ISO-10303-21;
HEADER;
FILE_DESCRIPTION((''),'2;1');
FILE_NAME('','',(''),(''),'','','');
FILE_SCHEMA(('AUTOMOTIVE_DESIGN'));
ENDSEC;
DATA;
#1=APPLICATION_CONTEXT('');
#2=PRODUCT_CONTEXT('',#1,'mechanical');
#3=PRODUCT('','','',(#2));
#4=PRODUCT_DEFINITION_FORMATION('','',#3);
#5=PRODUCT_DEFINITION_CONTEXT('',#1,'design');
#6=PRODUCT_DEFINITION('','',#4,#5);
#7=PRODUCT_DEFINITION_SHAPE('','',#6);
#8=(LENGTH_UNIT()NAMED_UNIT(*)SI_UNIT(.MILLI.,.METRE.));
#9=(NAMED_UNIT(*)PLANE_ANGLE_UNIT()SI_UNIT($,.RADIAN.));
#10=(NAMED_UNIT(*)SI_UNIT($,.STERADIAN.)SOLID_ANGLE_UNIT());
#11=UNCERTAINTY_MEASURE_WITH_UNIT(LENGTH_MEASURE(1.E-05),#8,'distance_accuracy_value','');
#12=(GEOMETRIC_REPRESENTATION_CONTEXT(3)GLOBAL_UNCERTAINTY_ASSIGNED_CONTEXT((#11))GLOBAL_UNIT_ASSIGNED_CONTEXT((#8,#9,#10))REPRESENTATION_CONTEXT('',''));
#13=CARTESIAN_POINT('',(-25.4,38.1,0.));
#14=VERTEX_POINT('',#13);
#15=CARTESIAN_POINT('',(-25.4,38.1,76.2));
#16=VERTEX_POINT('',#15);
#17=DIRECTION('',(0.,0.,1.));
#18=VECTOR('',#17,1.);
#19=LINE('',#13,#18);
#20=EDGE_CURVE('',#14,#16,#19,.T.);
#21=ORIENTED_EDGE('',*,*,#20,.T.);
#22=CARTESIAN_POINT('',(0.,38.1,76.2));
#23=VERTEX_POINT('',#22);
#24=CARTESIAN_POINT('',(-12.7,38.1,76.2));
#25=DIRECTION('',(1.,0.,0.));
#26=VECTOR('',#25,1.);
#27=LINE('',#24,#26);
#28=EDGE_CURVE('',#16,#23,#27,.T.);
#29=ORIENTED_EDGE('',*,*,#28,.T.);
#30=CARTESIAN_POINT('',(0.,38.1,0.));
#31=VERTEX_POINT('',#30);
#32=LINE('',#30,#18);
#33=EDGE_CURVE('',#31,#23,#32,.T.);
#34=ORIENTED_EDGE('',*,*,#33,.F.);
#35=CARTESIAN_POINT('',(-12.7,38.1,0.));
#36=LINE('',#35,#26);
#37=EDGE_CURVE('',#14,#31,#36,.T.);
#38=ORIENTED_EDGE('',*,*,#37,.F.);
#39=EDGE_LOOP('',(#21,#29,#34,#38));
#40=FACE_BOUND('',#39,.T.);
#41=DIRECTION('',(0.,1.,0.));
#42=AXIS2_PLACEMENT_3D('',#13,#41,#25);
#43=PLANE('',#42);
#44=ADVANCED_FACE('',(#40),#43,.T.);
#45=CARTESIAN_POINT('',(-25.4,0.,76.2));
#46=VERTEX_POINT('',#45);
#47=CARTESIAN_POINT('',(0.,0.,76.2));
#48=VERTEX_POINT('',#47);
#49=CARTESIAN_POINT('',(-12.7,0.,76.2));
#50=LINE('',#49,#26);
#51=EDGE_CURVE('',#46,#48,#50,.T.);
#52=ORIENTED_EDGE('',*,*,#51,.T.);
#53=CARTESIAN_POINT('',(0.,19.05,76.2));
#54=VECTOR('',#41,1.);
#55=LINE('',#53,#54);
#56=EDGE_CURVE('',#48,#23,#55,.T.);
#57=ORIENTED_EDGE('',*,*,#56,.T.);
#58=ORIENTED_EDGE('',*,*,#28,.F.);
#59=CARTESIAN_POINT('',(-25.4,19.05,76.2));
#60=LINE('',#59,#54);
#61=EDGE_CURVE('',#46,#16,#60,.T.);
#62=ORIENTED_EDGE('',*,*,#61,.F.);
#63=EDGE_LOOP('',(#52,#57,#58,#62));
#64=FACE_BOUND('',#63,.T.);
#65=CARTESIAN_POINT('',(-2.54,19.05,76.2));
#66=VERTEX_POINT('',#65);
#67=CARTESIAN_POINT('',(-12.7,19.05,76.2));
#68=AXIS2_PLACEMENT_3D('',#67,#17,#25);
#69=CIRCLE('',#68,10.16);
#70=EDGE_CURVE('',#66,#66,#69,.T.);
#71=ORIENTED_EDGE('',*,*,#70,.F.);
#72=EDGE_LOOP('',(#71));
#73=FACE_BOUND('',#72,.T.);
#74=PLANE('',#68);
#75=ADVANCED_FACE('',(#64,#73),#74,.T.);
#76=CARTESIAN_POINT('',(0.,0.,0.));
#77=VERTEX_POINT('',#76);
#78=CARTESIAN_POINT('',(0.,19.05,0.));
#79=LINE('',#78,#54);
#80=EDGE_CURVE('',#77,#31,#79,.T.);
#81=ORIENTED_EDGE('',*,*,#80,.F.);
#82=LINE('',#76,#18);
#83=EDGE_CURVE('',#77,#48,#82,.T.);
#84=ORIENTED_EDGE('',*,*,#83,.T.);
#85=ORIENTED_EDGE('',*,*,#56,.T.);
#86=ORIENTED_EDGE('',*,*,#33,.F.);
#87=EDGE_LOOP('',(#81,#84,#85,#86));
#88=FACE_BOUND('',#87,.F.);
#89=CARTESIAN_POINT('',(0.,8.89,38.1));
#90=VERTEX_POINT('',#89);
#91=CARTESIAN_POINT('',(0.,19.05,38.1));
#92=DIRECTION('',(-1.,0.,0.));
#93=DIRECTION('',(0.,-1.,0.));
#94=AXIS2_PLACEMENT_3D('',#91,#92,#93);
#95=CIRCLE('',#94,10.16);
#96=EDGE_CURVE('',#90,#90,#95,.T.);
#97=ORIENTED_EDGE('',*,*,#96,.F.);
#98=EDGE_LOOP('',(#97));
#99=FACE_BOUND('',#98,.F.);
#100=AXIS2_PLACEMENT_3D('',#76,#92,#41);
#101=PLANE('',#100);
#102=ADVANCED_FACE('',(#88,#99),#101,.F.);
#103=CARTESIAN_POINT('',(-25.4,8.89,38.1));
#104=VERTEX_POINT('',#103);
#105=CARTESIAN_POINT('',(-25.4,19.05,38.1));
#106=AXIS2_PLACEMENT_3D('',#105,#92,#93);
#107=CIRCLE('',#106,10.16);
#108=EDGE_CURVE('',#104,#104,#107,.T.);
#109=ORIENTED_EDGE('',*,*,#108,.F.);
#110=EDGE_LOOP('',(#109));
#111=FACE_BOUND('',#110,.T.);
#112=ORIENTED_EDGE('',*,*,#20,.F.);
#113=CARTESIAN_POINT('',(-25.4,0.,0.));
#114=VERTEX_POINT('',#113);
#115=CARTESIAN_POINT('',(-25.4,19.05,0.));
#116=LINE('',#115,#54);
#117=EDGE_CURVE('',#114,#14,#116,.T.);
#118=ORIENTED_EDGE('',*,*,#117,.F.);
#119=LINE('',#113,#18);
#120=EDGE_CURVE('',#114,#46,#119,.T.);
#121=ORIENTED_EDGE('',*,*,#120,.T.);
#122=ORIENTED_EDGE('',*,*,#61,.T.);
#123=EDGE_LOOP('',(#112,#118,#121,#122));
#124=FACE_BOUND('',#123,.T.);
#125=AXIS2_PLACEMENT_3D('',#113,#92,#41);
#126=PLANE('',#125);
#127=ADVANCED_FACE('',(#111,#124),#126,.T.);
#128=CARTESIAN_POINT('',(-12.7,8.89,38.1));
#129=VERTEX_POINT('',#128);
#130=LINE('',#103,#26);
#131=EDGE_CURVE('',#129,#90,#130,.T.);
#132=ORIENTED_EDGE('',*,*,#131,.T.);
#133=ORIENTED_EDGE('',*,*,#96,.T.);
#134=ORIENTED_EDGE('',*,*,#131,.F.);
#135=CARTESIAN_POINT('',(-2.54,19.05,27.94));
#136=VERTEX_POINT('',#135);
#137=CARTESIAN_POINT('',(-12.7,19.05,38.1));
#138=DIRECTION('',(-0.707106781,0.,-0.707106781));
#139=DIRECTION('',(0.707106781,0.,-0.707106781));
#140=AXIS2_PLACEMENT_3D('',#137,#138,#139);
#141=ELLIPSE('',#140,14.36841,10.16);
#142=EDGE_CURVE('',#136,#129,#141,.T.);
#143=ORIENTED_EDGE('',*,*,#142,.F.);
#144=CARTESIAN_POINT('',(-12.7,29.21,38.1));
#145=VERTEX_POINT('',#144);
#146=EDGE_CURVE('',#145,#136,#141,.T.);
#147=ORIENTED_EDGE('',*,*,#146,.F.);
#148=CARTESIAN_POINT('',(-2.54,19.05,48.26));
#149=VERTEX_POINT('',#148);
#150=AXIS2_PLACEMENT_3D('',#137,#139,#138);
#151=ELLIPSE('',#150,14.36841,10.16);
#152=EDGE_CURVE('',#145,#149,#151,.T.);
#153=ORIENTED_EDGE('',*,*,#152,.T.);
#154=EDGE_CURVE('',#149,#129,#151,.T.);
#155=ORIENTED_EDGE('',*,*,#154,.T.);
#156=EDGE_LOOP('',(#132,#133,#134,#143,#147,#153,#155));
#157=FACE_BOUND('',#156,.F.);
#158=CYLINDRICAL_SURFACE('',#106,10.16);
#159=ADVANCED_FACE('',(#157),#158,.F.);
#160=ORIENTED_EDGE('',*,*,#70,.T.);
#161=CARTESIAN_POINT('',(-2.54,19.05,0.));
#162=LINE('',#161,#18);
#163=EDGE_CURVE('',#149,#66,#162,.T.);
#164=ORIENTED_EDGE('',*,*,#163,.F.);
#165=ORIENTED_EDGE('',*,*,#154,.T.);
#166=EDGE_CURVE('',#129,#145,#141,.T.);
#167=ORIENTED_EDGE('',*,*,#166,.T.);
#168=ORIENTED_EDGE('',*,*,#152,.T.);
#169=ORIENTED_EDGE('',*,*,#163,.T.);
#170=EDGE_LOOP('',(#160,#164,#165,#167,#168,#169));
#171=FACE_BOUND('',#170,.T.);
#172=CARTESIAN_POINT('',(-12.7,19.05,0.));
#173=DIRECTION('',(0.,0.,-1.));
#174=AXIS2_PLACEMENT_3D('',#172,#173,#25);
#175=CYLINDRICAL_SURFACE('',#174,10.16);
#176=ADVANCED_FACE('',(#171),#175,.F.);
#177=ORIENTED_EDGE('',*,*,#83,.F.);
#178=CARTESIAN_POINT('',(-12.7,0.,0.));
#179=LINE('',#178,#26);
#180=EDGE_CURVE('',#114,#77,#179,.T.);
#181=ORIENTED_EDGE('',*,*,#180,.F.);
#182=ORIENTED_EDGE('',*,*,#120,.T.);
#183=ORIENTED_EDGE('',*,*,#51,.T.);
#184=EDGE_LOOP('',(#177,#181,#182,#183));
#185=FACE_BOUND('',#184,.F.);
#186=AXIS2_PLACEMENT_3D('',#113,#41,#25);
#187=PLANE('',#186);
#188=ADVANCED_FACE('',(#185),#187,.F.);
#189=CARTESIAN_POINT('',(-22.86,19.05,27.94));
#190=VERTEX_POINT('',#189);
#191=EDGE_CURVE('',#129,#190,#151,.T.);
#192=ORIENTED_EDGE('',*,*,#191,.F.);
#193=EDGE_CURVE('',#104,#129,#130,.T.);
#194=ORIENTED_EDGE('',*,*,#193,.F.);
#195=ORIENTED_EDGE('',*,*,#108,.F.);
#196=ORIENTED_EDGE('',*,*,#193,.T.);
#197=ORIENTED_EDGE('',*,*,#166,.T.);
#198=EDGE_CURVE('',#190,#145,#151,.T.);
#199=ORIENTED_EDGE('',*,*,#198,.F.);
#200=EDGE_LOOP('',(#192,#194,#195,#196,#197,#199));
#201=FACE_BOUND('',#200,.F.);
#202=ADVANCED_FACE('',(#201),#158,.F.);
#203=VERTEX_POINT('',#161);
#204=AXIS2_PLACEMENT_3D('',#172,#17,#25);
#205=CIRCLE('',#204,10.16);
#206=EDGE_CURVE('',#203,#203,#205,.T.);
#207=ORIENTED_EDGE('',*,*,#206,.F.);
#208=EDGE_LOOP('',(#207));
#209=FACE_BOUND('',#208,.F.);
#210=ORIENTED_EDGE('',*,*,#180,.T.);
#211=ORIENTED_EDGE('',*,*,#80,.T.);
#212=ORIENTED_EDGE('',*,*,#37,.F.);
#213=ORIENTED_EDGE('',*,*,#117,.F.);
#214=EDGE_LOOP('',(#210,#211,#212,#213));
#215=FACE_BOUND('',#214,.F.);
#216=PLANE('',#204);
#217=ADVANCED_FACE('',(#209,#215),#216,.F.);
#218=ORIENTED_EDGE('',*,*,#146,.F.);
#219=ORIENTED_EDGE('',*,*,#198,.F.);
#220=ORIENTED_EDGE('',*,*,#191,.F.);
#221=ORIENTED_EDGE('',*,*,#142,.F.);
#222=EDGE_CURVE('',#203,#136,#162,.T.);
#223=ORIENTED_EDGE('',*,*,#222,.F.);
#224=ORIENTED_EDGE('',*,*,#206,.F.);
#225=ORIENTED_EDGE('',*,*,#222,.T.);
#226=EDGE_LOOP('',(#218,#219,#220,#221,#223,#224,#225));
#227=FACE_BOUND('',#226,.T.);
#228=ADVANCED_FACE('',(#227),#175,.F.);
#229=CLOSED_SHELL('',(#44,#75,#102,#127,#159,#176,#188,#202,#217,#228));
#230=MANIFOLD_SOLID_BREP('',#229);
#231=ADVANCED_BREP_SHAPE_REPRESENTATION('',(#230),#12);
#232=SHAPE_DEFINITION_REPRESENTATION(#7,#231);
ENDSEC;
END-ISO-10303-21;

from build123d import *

# Parameters (mm, degrees)
F0_W     = 25.4
F0_H     = 38.1
F0_R     = 10.16
F1_DEPTH = 76.2
F2_R     = 10.16
F3_DEPTH = 25.401


with BuildPart() as f1:
    # F0 (on Top) → F1 (new body)
    with BuildSketch(Plane.XY):
        with Locations((-12.7, 19.05)):
            Rectangle(F0_W, F0_H)
        with Locations((-12.7, 19.05)):
            Circle(F0_R, mode=Mode.SUBTRACT)
    extrude(amount=F1_DEPTH)

    # F2 (on face) → F3 (cut, through all)
    with BuildSketch(Plane(origin=(-25.4, 0, 0), x_dir=(0, -1, 0), z_dir=(-1, 0, 0))):
        with Locations((-19.05, 38.1)):
            Circle(F2_R)
    extrude(amount=-F3_DEPTH, mode=Mode.SUBTRACT)


solid = f1.part
